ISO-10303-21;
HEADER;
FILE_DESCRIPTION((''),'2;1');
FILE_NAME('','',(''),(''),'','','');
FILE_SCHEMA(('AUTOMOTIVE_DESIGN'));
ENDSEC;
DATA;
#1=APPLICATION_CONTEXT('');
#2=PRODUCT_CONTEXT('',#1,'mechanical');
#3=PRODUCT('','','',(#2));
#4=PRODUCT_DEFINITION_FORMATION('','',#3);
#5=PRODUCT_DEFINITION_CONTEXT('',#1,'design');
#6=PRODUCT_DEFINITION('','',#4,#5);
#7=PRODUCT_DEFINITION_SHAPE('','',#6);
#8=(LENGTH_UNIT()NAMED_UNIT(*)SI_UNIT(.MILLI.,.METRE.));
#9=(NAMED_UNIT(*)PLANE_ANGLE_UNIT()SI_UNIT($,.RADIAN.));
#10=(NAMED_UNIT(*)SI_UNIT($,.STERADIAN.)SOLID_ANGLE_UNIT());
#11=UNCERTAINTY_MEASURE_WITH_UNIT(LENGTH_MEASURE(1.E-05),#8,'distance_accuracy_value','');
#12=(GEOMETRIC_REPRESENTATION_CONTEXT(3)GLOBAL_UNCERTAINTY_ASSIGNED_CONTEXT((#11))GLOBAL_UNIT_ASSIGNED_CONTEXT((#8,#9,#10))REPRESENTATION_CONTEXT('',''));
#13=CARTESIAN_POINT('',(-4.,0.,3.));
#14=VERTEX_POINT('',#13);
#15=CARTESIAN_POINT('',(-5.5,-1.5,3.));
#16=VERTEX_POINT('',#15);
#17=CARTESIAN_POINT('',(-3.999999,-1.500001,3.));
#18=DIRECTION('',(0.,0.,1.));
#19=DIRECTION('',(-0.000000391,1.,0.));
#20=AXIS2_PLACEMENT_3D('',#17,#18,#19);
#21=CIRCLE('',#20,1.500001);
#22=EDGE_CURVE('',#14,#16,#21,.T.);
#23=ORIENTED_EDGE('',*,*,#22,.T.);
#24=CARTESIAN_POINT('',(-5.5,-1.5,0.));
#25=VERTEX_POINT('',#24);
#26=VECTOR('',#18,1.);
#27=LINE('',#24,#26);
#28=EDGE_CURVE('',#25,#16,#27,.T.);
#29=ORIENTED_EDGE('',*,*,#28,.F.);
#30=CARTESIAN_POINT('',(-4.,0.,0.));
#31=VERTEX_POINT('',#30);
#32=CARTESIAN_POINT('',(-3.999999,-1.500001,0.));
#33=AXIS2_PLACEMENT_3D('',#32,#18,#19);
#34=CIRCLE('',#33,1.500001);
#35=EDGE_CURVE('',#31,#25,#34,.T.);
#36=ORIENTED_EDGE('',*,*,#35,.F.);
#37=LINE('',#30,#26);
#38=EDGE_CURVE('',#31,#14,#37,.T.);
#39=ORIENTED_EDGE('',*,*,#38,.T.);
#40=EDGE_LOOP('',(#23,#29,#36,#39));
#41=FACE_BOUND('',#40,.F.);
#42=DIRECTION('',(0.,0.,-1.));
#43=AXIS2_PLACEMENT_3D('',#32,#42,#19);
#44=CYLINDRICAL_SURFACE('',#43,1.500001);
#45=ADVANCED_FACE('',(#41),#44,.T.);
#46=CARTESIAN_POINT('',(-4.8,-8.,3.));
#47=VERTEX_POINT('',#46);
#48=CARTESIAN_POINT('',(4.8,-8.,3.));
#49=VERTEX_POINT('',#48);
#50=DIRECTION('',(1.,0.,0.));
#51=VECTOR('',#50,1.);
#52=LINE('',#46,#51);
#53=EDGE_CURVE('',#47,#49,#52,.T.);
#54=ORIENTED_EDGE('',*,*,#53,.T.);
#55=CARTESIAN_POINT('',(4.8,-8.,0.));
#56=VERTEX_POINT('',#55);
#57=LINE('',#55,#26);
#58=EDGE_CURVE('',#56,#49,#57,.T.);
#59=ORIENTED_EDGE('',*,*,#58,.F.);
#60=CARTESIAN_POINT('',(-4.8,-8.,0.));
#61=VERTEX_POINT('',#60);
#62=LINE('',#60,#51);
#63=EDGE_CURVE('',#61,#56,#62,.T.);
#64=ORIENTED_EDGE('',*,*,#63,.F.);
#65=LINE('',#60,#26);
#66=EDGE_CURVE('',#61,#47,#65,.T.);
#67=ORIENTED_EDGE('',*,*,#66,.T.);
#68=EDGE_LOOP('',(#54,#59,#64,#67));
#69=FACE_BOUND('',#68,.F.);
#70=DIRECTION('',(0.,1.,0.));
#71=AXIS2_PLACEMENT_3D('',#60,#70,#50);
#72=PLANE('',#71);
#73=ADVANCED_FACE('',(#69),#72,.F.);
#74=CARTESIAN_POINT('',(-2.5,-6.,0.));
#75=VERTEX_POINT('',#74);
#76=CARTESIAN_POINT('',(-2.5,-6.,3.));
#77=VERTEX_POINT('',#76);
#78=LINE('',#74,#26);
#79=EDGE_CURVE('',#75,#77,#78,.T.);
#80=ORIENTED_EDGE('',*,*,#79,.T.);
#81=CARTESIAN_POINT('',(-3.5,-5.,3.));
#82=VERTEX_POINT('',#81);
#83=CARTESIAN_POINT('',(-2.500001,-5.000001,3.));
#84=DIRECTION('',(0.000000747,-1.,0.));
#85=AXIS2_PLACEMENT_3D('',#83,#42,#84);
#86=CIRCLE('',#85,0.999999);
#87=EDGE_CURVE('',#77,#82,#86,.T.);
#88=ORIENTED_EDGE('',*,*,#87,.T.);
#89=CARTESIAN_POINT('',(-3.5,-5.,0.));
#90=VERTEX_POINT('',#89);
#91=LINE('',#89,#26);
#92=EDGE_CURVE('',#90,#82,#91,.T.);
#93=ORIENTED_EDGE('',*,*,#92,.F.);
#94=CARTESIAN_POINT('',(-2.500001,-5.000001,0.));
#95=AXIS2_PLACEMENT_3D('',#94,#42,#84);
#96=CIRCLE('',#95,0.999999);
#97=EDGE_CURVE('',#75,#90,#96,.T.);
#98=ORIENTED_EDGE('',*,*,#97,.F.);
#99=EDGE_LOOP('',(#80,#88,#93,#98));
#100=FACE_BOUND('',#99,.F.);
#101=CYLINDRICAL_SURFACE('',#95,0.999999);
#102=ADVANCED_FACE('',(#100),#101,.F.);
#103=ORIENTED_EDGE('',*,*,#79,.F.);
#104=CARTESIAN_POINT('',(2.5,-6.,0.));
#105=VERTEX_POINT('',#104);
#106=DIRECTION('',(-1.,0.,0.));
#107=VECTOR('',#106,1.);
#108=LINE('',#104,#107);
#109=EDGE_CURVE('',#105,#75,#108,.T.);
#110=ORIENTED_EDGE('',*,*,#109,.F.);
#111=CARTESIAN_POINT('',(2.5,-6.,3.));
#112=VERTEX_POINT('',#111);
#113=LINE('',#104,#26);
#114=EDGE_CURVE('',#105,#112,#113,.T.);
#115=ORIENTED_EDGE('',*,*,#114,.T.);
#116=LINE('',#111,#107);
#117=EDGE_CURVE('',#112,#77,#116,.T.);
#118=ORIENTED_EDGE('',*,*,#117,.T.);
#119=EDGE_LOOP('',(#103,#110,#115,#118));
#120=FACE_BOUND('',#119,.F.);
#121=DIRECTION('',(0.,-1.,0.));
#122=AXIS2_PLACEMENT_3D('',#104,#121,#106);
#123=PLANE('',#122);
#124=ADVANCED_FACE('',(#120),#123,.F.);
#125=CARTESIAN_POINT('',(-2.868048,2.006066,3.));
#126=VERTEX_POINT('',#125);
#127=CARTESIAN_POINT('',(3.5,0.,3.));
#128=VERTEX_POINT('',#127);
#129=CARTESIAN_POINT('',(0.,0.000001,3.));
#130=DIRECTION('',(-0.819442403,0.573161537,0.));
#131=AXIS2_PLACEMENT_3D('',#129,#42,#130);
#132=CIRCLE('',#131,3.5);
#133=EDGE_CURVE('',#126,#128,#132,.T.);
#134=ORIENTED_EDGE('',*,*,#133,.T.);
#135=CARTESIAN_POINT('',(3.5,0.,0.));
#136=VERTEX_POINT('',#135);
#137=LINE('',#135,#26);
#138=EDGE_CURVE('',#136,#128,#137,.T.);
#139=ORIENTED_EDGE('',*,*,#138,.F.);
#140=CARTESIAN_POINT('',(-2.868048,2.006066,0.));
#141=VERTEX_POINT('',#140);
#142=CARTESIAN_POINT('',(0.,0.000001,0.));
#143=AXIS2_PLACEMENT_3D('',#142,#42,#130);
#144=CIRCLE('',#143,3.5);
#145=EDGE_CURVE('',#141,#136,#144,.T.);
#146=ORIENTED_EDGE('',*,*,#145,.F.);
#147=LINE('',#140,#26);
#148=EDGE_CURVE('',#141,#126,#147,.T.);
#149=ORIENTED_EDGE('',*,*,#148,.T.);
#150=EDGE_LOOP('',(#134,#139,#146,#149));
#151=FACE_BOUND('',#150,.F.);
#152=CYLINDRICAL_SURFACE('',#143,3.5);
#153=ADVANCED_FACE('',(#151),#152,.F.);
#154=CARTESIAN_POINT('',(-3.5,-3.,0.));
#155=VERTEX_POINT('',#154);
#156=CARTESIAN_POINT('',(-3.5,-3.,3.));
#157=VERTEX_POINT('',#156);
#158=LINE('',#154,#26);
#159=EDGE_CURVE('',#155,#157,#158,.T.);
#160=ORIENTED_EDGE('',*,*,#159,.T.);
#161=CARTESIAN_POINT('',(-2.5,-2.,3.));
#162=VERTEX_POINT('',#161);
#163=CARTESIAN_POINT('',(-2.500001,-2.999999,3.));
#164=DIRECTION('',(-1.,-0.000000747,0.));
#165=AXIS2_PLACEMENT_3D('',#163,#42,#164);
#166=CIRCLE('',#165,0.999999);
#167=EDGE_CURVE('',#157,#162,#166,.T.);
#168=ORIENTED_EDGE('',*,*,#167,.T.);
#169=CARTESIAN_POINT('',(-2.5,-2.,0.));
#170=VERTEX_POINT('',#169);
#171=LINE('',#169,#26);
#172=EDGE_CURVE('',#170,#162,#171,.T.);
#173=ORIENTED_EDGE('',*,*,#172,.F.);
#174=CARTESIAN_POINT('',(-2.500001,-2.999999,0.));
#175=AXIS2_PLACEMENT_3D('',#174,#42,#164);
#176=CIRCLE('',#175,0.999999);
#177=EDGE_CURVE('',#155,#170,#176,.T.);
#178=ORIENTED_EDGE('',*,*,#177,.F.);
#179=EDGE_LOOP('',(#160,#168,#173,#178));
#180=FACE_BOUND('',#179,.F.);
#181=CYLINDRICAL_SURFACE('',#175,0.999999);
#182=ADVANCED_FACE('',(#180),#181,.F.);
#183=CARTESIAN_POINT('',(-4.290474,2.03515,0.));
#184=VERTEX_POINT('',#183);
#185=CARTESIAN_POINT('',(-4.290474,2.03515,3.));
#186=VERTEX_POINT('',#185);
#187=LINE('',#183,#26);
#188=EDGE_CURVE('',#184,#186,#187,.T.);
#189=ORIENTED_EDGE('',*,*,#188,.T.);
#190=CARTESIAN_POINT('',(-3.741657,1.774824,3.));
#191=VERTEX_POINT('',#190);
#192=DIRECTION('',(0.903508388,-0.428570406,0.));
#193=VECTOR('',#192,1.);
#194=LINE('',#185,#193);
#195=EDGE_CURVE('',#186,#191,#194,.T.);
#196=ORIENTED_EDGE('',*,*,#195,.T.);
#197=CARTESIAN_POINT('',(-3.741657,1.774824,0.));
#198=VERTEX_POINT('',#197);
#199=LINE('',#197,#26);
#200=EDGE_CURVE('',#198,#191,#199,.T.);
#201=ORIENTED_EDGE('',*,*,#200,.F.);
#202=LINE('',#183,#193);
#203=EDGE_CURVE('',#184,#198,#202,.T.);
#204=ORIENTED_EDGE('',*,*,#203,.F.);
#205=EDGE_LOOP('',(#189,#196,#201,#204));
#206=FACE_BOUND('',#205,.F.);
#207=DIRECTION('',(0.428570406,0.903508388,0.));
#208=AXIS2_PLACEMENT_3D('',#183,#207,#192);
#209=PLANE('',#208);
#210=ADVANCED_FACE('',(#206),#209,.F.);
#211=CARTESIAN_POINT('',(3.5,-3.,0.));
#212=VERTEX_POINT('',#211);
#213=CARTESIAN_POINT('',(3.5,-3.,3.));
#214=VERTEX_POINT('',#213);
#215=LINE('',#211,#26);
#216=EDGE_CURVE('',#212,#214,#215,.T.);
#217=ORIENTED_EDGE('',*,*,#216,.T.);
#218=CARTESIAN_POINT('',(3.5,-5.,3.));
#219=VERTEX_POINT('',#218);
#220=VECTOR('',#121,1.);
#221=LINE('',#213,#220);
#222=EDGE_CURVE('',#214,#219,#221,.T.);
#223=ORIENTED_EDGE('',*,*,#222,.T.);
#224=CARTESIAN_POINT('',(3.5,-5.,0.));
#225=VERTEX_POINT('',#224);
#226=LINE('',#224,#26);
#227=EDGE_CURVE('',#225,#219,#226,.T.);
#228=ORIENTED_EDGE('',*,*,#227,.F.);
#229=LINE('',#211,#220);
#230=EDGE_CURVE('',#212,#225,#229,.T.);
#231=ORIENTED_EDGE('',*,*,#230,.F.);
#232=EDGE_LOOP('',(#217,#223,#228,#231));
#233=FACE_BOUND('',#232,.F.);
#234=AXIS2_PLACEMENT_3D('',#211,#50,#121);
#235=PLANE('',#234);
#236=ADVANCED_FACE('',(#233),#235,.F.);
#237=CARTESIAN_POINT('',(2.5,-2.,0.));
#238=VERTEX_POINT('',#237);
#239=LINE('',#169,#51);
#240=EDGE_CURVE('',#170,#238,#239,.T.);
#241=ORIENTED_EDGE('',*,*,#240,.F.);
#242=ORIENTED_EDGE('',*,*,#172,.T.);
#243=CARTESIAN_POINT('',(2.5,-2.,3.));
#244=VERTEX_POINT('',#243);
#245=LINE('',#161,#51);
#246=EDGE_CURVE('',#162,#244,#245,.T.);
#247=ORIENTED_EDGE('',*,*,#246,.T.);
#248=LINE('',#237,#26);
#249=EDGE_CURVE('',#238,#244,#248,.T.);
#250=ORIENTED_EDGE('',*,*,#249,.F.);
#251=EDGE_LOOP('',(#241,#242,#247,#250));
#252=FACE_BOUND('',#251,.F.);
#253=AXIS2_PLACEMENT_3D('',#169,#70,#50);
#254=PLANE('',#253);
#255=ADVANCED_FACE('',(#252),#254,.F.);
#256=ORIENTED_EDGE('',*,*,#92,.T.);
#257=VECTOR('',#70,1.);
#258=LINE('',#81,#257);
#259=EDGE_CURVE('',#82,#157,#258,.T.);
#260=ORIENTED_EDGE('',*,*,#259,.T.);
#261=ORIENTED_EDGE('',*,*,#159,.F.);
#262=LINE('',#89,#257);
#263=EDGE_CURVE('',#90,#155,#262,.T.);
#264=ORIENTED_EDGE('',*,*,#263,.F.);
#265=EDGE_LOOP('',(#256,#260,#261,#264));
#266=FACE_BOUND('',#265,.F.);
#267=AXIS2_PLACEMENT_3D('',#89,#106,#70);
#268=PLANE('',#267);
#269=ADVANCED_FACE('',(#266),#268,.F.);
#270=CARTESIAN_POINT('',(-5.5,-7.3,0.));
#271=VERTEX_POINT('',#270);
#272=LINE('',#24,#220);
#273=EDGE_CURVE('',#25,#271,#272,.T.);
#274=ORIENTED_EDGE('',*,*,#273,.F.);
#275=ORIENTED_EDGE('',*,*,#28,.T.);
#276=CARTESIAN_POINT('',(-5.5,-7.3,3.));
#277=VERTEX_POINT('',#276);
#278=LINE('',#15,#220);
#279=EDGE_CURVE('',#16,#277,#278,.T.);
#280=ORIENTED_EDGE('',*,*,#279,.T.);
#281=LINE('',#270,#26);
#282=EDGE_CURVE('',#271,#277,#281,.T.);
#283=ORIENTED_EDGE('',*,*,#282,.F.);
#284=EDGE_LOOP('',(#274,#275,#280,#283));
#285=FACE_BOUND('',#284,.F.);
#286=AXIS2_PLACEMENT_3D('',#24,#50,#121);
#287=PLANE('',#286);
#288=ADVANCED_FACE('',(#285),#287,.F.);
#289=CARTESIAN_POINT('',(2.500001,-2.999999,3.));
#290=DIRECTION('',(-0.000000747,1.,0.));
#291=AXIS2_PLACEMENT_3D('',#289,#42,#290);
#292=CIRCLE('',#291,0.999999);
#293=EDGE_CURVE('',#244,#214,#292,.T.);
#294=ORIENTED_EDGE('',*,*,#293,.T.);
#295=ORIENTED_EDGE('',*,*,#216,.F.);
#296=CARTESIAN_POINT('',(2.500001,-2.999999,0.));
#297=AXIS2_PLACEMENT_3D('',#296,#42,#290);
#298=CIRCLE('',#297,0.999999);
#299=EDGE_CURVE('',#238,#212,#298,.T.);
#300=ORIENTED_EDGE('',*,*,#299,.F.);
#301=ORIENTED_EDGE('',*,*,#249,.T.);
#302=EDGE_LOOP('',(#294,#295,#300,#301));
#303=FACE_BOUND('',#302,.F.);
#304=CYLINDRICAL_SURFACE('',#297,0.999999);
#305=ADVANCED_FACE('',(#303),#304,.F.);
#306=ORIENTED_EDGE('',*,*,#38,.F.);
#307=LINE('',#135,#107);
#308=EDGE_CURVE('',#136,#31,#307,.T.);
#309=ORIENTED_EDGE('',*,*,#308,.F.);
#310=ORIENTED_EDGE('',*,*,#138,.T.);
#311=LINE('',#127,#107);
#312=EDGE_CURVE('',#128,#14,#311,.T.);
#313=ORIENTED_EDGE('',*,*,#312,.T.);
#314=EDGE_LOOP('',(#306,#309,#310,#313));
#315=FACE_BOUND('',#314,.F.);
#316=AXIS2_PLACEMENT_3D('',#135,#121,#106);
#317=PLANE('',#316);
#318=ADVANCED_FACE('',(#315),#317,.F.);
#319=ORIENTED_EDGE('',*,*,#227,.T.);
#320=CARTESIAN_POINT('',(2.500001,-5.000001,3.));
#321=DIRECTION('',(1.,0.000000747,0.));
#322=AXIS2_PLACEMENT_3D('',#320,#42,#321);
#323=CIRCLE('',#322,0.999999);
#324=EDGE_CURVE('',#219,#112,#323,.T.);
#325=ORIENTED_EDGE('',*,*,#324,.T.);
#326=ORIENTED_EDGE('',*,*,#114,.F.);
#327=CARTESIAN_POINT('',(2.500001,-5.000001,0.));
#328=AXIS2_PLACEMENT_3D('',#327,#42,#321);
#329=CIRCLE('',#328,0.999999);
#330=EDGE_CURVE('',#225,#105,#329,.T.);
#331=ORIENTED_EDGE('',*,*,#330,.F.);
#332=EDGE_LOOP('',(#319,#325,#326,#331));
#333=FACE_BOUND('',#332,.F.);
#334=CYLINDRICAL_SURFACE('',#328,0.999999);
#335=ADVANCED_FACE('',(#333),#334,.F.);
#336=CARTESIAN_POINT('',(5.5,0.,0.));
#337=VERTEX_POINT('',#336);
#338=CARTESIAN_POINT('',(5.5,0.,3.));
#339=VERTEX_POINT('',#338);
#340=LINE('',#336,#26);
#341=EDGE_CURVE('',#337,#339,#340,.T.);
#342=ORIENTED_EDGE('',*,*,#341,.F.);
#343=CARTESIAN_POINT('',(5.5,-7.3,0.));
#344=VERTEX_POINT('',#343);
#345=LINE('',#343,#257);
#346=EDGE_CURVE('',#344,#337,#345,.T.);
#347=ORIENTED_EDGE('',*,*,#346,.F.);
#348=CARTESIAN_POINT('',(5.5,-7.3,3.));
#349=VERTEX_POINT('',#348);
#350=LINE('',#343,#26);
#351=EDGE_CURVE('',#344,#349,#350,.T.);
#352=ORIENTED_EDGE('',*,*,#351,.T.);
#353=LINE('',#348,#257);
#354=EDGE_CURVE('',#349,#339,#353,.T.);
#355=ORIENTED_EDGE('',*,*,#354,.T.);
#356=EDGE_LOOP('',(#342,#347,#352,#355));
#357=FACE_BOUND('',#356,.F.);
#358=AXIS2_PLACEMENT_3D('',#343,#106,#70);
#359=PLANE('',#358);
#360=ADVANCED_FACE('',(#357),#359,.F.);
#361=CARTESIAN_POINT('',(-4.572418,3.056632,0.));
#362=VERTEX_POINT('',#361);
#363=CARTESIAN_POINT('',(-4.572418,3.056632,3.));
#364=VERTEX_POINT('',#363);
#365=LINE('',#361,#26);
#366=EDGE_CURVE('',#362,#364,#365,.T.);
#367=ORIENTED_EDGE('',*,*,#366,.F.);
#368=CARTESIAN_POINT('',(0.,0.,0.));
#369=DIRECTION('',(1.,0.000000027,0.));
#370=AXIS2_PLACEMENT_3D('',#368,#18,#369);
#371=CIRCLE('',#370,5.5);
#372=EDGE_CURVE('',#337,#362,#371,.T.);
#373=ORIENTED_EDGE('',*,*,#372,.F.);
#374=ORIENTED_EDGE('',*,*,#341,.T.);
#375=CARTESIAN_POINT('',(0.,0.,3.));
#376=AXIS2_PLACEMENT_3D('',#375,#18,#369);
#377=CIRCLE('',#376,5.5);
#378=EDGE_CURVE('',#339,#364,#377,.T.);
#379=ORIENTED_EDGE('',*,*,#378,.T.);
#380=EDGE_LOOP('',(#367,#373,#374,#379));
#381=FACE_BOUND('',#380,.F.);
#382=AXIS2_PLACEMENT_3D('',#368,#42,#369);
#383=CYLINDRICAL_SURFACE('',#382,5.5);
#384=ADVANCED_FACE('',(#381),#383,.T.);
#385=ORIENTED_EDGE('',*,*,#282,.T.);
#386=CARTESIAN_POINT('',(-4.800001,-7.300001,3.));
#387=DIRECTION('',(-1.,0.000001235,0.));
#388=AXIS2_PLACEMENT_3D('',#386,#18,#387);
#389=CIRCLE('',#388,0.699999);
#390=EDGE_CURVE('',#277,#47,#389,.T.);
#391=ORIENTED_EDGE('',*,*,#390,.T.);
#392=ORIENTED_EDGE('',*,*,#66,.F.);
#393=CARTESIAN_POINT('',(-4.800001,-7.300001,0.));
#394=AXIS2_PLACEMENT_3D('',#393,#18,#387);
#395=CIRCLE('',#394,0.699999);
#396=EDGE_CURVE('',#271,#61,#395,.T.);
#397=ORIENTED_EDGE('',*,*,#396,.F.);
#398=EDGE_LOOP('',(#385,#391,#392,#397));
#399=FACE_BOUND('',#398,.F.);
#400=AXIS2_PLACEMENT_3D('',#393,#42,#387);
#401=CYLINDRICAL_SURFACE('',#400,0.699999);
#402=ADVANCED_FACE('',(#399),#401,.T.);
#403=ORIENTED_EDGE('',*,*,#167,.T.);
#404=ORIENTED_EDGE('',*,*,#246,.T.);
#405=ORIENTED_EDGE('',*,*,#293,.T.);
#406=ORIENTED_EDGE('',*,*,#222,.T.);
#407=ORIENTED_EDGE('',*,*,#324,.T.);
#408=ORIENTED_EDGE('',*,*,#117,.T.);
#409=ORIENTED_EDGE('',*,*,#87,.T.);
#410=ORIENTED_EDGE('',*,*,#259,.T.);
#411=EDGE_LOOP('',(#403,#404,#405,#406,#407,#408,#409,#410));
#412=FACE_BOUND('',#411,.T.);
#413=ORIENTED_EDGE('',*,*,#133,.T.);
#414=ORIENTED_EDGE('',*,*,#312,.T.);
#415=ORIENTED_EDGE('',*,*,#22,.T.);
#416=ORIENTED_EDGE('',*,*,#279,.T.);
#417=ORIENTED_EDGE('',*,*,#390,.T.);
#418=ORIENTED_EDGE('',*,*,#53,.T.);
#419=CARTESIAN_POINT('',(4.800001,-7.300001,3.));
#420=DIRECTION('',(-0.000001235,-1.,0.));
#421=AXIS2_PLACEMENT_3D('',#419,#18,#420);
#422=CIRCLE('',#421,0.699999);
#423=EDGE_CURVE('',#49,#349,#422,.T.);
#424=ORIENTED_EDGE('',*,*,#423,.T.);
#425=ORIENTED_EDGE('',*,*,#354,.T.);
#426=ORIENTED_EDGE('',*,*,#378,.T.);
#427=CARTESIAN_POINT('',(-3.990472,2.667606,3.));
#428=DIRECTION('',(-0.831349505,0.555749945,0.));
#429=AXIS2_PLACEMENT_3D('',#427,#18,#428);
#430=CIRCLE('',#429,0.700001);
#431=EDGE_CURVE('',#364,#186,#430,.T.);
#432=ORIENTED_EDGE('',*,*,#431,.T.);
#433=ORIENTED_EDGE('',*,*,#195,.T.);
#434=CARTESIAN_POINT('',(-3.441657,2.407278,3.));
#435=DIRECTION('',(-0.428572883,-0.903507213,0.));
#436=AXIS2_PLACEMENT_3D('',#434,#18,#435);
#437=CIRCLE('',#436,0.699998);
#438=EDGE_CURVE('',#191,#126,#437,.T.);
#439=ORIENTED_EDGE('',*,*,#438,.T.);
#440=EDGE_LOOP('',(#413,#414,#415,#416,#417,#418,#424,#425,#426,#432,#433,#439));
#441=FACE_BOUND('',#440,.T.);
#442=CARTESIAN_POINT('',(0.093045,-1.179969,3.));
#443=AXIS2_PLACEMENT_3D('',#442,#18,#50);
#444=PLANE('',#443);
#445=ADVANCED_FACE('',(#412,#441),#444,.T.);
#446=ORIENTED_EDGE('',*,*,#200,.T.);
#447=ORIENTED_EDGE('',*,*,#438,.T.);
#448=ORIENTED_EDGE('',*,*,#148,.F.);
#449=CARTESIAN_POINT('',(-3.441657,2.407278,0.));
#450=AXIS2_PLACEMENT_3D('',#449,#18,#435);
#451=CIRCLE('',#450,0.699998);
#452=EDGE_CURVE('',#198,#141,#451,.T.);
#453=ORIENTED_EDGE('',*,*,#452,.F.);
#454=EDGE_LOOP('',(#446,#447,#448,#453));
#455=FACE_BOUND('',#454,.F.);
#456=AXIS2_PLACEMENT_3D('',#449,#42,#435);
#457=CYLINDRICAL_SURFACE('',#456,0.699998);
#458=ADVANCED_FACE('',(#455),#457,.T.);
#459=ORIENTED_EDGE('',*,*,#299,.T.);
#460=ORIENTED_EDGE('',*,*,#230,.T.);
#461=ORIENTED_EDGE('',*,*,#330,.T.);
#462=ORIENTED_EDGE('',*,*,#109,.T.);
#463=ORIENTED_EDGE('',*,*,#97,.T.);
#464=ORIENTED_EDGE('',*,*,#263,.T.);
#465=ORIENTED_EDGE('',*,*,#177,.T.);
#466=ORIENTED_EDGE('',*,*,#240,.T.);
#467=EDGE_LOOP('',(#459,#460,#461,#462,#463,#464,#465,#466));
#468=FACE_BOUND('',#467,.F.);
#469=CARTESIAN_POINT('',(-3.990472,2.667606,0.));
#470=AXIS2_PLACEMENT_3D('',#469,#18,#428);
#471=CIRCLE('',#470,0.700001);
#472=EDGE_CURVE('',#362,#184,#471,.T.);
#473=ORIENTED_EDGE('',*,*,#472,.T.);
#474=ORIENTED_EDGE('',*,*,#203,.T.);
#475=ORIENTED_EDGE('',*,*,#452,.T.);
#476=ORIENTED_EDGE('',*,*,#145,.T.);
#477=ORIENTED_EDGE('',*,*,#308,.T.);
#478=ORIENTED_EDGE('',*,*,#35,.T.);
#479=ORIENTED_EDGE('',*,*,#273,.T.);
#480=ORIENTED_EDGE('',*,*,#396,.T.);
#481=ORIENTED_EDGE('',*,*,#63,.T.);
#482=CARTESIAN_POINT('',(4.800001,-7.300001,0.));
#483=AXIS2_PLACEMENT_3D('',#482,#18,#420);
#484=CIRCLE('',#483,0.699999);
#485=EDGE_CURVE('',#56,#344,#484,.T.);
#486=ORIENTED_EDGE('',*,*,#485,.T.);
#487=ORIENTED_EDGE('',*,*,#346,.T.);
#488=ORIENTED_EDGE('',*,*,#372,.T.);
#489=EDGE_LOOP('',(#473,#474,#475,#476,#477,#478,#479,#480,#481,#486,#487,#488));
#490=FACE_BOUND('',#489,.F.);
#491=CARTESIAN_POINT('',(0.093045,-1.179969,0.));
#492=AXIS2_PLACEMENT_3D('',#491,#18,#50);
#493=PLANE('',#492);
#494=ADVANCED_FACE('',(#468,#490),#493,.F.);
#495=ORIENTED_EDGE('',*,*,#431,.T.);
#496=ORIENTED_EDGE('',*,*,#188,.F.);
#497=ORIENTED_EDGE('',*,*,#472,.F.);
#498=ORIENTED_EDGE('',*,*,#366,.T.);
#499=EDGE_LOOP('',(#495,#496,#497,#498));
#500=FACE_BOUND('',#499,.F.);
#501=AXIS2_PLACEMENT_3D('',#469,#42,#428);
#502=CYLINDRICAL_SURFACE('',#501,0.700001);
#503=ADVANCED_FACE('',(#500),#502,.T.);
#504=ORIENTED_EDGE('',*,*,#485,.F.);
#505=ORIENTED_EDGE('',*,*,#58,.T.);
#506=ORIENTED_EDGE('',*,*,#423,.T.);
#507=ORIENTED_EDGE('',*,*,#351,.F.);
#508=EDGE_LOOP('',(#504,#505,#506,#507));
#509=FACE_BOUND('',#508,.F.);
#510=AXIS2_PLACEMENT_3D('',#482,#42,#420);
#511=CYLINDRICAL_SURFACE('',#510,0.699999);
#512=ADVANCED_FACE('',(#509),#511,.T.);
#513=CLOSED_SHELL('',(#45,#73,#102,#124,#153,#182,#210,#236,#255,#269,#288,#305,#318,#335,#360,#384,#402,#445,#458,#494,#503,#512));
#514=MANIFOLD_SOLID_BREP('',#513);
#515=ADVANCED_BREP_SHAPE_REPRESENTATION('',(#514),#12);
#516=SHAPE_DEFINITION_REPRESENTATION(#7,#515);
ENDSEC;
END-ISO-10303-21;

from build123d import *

# Parameters (mm, degrees)
F1_DEPTH = 3


with BuildPart() as f1:
    # F0 (on Top) → F1 (new body)
    with BuildSketch(Plane.XY):
        with BuildLine():
            Line((3.5, 0), (-4, 0))
            ThreePointArc((-4, 0), (-5.06066, -0.43934), (-5.5, -1.5))
            Line((-5.5, -1.5), (-5.5, -7.3))
            ThreePointArc((-5.5, -7.3), (-5.294975, -7.794975), (-4.8, -8))
            Line((-4.8, -8), (4.8, -8))
            ThreePointArc((4.8, -8), (5.294975, -7.794975), (5.5, -7.3))
            Line((5.5, -7.3), (5.5, 0))
            ThreePointArc((5.5, 0), (1.597139, 5.262998), (-4.572418, 3.056632))
            ThreePointArc((-4.572418, 3.056632), (-4.665242, 2.48136), (-4.290474, 2.03515))
            Line((-4.290474, 2.03515), (-3.741657, 1.774824))
            ThreePointArc((-3.741657, 1.774824), (-3.262538, 1.730584), (-2.868048, 2.006066))
            ThreePointArc((-2.868048, 2.006066), (1.051626, 3.338276), (3.5, 0))
        make_face()
        with BuildLine():
            Line((2.5, -6), (-2.5, -6))
            ThreePointArc((-2.5, -6), (-3.207107, -5.707107), (-3.5, -5))
            Line((-3.5, -5), (-3.5, -3))
            ThreePointArc((-3.5, -3), (-3.207107, -2.292893), (-2.5, -2))
            Line((-2.5, -2), (2.5, -2))
            ThreePointArc((2.5, -2), (3.207107, -2.292893), (3.5, -3))
            Line((3.5, -3), (3.5, -5))
            ThreePointArc((3.5, -5), (3.207107, -5.707107), (2.5, -6))
        make_face(mode=Mode.SUBTRACT)
    extrude(amount=F1_DEPTH)


solid = f1.part
